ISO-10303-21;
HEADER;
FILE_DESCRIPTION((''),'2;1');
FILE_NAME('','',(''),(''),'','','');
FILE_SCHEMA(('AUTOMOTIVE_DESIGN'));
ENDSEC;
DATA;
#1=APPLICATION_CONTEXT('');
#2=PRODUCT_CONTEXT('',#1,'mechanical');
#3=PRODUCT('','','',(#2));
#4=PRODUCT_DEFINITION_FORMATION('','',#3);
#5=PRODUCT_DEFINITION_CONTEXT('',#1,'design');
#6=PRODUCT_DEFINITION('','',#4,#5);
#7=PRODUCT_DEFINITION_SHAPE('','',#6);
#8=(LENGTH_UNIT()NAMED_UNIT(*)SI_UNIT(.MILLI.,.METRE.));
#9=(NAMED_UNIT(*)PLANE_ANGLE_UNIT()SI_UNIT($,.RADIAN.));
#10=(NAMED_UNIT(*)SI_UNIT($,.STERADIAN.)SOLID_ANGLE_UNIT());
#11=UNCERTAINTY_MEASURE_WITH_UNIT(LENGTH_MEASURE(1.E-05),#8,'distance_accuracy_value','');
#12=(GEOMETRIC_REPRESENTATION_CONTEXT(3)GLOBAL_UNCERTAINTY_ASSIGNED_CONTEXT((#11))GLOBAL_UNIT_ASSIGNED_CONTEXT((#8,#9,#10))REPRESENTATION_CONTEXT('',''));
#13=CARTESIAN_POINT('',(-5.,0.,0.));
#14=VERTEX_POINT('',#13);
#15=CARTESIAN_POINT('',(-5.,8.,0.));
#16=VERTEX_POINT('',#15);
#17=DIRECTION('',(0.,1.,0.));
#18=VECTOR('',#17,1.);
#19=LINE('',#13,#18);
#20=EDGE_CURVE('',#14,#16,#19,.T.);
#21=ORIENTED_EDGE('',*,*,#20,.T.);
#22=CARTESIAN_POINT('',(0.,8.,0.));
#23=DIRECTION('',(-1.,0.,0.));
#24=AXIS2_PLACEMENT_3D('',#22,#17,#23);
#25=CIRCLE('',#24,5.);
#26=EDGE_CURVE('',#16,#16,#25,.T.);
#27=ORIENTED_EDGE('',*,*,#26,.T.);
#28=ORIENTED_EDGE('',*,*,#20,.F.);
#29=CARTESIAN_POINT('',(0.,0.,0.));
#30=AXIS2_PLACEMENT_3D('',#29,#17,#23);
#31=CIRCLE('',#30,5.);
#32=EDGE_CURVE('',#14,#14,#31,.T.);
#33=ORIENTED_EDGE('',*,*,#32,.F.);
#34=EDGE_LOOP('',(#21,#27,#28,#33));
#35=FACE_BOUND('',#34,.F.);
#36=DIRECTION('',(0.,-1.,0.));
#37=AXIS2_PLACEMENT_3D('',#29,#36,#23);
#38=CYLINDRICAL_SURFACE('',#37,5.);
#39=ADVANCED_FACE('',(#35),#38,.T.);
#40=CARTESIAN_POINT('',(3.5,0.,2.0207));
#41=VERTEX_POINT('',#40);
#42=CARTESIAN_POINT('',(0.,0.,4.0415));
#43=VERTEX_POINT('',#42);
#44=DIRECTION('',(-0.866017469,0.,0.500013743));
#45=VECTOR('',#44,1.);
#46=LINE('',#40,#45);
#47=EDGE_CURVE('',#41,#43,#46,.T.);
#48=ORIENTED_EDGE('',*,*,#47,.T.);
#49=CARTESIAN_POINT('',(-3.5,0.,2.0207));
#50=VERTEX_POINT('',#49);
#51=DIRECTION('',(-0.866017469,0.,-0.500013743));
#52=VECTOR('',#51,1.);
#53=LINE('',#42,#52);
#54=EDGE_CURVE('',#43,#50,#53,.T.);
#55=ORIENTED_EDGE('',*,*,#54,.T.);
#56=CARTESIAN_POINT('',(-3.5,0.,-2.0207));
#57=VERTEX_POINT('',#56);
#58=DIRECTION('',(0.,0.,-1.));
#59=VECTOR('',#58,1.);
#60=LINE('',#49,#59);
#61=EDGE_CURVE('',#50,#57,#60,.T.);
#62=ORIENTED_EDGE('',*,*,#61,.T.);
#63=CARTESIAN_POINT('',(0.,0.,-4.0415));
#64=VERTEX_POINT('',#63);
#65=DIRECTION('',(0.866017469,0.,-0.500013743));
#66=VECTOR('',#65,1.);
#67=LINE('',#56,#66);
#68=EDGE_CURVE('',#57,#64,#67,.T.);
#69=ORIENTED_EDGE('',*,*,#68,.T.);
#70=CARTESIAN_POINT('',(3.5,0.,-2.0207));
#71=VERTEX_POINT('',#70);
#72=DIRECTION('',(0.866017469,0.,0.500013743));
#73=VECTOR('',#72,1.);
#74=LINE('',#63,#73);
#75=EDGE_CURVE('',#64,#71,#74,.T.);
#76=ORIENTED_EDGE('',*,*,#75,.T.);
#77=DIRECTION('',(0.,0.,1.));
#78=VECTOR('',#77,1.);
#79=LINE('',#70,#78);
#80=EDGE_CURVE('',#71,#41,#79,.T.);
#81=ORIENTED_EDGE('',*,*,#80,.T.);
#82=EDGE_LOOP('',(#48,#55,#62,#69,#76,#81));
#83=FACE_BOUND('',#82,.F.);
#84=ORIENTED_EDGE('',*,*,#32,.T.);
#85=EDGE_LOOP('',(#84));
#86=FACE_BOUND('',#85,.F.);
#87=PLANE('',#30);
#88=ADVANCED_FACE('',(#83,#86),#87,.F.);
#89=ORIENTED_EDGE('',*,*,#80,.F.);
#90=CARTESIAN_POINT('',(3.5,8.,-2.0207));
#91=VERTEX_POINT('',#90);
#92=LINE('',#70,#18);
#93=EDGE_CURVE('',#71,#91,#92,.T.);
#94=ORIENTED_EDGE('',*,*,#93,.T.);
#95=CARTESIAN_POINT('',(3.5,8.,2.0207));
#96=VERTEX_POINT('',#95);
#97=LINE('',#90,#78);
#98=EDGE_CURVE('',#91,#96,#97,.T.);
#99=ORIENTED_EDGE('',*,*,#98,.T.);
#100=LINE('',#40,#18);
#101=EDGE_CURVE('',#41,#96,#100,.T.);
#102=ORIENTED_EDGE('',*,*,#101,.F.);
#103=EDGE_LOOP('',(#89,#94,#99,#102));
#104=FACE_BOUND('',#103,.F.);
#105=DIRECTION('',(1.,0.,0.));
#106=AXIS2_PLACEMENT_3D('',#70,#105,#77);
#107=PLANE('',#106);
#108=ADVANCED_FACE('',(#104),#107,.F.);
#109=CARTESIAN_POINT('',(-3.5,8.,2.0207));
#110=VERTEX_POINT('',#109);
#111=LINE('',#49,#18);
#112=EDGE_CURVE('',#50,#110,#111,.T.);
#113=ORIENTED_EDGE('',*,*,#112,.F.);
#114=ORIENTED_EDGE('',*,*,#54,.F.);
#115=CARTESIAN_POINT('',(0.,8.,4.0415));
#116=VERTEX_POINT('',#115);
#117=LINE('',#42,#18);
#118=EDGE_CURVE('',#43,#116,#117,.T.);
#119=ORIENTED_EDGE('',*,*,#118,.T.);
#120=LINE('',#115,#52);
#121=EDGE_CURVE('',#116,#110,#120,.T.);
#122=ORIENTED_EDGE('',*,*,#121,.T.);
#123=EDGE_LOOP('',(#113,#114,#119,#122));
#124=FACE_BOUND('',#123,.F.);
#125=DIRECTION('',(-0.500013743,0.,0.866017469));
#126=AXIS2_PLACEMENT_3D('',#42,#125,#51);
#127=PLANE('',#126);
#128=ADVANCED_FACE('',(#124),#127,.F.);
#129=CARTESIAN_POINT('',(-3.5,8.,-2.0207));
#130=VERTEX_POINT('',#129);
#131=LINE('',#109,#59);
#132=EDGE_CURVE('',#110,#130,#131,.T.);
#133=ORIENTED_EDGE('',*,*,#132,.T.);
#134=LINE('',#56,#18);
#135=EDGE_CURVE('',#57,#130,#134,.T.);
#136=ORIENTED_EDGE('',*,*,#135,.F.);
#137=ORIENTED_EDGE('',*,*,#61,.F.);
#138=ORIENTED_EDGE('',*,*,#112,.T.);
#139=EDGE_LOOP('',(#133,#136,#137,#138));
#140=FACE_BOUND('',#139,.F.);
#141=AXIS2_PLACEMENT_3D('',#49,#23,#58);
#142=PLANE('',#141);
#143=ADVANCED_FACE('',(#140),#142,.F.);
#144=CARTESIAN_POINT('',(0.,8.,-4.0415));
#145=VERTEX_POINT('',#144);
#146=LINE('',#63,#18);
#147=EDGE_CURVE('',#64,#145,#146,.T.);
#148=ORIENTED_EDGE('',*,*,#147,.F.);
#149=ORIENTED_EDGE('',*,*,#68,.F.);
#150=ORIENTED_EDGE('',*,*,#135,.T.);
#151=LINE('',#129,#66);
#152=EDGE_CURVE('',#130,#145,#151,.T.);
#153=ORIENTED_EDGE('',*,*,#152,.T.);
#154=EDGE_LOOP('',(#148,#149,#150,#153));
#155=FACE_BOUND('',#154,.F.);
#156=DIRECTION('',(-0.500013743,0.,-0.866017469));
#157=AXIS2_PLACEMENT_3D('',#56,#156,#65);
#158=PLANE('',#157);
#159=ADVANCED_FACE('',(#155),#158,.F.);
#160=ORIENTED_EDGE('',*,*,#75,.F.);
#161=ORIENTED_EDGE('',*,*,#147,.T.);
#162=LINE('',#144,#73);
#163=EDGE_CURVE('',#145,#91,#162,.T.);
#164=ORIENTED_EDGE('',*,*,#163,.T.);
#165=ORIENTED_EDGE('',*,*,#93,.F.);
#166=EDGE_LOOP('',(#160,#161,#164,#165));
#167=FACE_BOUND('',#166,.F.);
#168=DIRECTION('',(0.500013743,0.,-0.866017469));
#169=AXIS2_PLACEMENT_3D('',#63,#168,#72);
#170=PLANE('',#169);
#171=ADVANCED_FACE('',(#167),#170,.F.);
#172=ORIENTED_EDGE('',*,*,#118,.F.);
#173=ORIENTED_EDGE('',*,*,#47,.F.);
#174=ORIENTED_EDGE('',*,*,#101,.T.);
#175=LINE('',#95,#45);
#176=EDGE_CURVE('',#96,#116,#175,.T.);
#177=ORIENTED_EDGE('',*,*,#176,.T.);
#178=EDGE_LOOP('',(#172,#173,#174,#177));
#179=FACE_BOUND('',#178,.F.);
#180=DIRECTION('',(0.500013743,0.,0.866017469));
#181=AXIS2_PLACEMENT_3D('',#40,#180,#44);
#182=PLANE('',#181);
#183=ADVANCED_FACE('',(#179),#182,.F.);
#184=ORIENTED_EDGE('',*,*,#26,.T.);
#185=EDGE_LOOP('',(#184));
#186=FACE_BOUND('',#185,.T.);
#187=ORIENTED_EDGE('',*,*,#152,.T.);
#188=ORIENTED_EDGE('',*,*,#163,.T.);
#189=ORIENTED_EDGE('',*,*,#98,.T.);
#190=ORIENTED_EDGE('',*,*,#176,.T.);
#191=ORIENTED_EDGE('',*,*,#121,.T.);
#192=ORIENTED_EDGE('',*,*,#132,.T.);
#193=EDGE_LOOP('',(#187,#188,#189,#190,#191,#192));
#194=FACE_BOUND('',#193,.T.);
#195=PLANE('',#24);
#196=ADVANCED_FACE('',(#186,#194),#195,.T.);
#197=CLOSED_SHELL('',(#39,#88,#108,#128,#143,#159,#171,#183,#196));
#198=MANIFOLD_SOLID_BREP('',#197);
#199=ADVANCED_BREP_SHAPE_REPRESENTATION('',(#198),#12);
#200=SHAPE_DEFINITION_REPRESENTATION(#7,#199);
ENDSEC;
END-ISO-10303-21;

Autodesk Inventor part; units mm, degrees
ref_plane "YZ Plane" through (0, 0, 0) normal (1, 0, 0) x (0, 1, 0)
ref_plane "XZ Plane" through (0, 0, 0) normal (0, 1, 0) x (-1, 0, 0)
ref_plane "XY Plane" through (0, 0, 0) normal (0, 0, 1) x (1, 0, 0)
sketch "Sketch1" plane through (0, 0, 0) normal (0, 1, 0) x (-1, 0, 0)
  circle A0 centre (0, 0) radius 3.5 construction
  circle A1 centre (0, 0) radius 5
  line L0 (3.5, -2.0207) -> (0, -4.0415)
  line L1 (0, -4.0415) -> (-3.5, -2.0207)
  line L2 (-3.5, -2.0207) -> (-3.5, 2.0207)
  line L3 (-3.5, 2.0207) -> (0, 4.0415)
  line L4 (0, 4.0415) -> (3.5, 2.0207)
  line L5 (3.5, 2.0207) -> (3.5, -2.0207)
  point P0 (3.5, 0)
  dimension "d0" = 7
  dimension "d1" = 10
extrude "Extrusion1" add sketch "Sketch1" along normal blind 8
properties part number "8mm Rex Spacer"
